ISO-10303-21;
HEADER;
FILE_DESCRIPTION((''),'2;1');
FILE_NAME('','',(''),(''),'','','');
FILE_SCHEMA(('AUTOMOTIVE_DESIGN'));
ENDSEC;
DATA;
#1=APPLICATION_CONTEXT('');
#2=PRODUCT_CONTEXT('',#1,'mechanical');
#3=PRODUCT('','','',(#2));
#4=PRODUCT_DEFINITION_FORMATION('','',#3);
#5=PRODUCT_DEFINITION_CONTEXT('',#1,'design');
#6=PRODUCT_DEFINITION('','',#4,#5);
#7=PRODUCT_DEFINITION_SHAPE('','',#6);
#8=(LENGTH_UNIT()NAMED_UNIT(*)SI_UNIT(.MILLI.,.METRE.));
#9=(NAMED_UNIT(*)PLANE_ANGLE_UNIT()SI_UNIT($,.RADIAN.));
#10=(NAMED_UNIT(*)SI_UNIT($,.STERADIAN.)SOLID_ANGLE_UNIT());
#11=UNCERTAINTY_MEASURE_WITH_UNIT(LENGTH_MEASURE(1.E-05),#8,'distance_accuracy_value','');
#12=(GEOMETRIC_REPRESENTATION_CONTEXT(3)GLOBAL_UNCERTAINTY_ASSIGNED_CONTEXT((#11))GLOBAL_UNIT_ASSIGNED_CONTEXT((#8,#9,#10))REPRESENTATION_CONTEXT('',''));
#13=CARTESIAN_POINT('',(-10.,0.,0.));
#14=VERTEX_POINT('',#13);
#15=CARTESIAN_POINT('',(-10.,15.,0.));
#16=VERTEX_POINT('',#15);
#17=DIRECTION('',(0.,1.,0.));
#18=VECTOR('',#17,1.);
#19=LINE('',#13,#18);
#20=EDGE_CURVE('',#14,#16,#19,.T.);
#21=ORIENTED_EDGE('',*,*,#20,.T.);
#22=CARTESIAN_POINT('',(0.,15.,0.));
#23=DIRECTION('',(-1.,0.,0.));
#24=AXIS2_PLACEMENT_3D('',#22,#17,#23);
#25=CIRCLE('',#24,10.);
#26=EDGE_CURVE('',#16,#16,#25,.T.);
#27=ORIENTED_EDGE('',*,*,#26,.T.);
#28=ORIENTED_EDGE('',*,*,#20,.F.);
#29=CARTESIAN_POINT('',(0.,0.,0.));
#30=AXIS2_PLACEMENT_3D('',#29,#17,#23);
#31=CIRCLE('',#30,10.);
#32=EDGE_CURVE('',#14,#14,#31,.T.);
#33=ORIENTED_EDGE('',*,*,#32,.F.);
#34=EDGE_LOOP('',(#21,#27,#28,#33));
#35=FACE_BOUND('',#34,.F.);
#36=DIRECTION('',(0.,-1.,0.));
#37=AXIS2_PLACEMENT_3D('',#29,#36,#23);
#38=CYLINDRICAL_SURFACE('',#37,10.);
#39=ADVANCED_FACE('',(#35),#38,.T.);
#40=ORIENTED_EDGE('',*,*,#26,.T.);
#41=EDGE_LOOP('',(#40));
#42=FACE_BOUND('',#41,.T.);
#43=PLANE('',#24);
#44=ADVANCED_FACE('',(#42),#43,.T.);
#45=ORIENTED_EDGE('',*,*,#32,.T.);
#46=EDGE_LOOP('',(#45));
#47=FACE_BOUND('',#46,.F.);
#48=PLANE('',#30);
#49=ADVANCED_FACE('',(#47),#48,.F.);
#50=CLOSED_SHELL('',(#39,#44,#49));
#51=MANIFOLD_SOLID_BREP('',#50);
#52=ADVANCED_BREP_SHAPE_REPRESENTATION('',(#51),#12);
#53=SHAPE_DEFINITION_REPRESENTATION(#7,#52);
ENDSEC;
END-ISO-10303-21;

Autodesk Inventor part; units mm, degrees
ref_plane "YZ Plane" through (0, 0, 0) normal (1, 0, 0) x (0, 1, 0)
ref_plane "XZ Plane" through (0, 0, 0) normal (0, 1, 0) x (-1, 0, 0)
ref_plane "XY Plane" through (0, 0, 0) normal (0, 0, 1) x (1, 0, 0)
sketch "Sketch1" plane through (0, 0, 0) normal (0, 1, 0) x (-1, 0, 0)
  circle A0 centre (0, 0) radius 10
  dimension "d0" = 20
extrude "Extrusion1" add sketch "Sketch1" along normal blind 15
properties part number "cylinder_1"
